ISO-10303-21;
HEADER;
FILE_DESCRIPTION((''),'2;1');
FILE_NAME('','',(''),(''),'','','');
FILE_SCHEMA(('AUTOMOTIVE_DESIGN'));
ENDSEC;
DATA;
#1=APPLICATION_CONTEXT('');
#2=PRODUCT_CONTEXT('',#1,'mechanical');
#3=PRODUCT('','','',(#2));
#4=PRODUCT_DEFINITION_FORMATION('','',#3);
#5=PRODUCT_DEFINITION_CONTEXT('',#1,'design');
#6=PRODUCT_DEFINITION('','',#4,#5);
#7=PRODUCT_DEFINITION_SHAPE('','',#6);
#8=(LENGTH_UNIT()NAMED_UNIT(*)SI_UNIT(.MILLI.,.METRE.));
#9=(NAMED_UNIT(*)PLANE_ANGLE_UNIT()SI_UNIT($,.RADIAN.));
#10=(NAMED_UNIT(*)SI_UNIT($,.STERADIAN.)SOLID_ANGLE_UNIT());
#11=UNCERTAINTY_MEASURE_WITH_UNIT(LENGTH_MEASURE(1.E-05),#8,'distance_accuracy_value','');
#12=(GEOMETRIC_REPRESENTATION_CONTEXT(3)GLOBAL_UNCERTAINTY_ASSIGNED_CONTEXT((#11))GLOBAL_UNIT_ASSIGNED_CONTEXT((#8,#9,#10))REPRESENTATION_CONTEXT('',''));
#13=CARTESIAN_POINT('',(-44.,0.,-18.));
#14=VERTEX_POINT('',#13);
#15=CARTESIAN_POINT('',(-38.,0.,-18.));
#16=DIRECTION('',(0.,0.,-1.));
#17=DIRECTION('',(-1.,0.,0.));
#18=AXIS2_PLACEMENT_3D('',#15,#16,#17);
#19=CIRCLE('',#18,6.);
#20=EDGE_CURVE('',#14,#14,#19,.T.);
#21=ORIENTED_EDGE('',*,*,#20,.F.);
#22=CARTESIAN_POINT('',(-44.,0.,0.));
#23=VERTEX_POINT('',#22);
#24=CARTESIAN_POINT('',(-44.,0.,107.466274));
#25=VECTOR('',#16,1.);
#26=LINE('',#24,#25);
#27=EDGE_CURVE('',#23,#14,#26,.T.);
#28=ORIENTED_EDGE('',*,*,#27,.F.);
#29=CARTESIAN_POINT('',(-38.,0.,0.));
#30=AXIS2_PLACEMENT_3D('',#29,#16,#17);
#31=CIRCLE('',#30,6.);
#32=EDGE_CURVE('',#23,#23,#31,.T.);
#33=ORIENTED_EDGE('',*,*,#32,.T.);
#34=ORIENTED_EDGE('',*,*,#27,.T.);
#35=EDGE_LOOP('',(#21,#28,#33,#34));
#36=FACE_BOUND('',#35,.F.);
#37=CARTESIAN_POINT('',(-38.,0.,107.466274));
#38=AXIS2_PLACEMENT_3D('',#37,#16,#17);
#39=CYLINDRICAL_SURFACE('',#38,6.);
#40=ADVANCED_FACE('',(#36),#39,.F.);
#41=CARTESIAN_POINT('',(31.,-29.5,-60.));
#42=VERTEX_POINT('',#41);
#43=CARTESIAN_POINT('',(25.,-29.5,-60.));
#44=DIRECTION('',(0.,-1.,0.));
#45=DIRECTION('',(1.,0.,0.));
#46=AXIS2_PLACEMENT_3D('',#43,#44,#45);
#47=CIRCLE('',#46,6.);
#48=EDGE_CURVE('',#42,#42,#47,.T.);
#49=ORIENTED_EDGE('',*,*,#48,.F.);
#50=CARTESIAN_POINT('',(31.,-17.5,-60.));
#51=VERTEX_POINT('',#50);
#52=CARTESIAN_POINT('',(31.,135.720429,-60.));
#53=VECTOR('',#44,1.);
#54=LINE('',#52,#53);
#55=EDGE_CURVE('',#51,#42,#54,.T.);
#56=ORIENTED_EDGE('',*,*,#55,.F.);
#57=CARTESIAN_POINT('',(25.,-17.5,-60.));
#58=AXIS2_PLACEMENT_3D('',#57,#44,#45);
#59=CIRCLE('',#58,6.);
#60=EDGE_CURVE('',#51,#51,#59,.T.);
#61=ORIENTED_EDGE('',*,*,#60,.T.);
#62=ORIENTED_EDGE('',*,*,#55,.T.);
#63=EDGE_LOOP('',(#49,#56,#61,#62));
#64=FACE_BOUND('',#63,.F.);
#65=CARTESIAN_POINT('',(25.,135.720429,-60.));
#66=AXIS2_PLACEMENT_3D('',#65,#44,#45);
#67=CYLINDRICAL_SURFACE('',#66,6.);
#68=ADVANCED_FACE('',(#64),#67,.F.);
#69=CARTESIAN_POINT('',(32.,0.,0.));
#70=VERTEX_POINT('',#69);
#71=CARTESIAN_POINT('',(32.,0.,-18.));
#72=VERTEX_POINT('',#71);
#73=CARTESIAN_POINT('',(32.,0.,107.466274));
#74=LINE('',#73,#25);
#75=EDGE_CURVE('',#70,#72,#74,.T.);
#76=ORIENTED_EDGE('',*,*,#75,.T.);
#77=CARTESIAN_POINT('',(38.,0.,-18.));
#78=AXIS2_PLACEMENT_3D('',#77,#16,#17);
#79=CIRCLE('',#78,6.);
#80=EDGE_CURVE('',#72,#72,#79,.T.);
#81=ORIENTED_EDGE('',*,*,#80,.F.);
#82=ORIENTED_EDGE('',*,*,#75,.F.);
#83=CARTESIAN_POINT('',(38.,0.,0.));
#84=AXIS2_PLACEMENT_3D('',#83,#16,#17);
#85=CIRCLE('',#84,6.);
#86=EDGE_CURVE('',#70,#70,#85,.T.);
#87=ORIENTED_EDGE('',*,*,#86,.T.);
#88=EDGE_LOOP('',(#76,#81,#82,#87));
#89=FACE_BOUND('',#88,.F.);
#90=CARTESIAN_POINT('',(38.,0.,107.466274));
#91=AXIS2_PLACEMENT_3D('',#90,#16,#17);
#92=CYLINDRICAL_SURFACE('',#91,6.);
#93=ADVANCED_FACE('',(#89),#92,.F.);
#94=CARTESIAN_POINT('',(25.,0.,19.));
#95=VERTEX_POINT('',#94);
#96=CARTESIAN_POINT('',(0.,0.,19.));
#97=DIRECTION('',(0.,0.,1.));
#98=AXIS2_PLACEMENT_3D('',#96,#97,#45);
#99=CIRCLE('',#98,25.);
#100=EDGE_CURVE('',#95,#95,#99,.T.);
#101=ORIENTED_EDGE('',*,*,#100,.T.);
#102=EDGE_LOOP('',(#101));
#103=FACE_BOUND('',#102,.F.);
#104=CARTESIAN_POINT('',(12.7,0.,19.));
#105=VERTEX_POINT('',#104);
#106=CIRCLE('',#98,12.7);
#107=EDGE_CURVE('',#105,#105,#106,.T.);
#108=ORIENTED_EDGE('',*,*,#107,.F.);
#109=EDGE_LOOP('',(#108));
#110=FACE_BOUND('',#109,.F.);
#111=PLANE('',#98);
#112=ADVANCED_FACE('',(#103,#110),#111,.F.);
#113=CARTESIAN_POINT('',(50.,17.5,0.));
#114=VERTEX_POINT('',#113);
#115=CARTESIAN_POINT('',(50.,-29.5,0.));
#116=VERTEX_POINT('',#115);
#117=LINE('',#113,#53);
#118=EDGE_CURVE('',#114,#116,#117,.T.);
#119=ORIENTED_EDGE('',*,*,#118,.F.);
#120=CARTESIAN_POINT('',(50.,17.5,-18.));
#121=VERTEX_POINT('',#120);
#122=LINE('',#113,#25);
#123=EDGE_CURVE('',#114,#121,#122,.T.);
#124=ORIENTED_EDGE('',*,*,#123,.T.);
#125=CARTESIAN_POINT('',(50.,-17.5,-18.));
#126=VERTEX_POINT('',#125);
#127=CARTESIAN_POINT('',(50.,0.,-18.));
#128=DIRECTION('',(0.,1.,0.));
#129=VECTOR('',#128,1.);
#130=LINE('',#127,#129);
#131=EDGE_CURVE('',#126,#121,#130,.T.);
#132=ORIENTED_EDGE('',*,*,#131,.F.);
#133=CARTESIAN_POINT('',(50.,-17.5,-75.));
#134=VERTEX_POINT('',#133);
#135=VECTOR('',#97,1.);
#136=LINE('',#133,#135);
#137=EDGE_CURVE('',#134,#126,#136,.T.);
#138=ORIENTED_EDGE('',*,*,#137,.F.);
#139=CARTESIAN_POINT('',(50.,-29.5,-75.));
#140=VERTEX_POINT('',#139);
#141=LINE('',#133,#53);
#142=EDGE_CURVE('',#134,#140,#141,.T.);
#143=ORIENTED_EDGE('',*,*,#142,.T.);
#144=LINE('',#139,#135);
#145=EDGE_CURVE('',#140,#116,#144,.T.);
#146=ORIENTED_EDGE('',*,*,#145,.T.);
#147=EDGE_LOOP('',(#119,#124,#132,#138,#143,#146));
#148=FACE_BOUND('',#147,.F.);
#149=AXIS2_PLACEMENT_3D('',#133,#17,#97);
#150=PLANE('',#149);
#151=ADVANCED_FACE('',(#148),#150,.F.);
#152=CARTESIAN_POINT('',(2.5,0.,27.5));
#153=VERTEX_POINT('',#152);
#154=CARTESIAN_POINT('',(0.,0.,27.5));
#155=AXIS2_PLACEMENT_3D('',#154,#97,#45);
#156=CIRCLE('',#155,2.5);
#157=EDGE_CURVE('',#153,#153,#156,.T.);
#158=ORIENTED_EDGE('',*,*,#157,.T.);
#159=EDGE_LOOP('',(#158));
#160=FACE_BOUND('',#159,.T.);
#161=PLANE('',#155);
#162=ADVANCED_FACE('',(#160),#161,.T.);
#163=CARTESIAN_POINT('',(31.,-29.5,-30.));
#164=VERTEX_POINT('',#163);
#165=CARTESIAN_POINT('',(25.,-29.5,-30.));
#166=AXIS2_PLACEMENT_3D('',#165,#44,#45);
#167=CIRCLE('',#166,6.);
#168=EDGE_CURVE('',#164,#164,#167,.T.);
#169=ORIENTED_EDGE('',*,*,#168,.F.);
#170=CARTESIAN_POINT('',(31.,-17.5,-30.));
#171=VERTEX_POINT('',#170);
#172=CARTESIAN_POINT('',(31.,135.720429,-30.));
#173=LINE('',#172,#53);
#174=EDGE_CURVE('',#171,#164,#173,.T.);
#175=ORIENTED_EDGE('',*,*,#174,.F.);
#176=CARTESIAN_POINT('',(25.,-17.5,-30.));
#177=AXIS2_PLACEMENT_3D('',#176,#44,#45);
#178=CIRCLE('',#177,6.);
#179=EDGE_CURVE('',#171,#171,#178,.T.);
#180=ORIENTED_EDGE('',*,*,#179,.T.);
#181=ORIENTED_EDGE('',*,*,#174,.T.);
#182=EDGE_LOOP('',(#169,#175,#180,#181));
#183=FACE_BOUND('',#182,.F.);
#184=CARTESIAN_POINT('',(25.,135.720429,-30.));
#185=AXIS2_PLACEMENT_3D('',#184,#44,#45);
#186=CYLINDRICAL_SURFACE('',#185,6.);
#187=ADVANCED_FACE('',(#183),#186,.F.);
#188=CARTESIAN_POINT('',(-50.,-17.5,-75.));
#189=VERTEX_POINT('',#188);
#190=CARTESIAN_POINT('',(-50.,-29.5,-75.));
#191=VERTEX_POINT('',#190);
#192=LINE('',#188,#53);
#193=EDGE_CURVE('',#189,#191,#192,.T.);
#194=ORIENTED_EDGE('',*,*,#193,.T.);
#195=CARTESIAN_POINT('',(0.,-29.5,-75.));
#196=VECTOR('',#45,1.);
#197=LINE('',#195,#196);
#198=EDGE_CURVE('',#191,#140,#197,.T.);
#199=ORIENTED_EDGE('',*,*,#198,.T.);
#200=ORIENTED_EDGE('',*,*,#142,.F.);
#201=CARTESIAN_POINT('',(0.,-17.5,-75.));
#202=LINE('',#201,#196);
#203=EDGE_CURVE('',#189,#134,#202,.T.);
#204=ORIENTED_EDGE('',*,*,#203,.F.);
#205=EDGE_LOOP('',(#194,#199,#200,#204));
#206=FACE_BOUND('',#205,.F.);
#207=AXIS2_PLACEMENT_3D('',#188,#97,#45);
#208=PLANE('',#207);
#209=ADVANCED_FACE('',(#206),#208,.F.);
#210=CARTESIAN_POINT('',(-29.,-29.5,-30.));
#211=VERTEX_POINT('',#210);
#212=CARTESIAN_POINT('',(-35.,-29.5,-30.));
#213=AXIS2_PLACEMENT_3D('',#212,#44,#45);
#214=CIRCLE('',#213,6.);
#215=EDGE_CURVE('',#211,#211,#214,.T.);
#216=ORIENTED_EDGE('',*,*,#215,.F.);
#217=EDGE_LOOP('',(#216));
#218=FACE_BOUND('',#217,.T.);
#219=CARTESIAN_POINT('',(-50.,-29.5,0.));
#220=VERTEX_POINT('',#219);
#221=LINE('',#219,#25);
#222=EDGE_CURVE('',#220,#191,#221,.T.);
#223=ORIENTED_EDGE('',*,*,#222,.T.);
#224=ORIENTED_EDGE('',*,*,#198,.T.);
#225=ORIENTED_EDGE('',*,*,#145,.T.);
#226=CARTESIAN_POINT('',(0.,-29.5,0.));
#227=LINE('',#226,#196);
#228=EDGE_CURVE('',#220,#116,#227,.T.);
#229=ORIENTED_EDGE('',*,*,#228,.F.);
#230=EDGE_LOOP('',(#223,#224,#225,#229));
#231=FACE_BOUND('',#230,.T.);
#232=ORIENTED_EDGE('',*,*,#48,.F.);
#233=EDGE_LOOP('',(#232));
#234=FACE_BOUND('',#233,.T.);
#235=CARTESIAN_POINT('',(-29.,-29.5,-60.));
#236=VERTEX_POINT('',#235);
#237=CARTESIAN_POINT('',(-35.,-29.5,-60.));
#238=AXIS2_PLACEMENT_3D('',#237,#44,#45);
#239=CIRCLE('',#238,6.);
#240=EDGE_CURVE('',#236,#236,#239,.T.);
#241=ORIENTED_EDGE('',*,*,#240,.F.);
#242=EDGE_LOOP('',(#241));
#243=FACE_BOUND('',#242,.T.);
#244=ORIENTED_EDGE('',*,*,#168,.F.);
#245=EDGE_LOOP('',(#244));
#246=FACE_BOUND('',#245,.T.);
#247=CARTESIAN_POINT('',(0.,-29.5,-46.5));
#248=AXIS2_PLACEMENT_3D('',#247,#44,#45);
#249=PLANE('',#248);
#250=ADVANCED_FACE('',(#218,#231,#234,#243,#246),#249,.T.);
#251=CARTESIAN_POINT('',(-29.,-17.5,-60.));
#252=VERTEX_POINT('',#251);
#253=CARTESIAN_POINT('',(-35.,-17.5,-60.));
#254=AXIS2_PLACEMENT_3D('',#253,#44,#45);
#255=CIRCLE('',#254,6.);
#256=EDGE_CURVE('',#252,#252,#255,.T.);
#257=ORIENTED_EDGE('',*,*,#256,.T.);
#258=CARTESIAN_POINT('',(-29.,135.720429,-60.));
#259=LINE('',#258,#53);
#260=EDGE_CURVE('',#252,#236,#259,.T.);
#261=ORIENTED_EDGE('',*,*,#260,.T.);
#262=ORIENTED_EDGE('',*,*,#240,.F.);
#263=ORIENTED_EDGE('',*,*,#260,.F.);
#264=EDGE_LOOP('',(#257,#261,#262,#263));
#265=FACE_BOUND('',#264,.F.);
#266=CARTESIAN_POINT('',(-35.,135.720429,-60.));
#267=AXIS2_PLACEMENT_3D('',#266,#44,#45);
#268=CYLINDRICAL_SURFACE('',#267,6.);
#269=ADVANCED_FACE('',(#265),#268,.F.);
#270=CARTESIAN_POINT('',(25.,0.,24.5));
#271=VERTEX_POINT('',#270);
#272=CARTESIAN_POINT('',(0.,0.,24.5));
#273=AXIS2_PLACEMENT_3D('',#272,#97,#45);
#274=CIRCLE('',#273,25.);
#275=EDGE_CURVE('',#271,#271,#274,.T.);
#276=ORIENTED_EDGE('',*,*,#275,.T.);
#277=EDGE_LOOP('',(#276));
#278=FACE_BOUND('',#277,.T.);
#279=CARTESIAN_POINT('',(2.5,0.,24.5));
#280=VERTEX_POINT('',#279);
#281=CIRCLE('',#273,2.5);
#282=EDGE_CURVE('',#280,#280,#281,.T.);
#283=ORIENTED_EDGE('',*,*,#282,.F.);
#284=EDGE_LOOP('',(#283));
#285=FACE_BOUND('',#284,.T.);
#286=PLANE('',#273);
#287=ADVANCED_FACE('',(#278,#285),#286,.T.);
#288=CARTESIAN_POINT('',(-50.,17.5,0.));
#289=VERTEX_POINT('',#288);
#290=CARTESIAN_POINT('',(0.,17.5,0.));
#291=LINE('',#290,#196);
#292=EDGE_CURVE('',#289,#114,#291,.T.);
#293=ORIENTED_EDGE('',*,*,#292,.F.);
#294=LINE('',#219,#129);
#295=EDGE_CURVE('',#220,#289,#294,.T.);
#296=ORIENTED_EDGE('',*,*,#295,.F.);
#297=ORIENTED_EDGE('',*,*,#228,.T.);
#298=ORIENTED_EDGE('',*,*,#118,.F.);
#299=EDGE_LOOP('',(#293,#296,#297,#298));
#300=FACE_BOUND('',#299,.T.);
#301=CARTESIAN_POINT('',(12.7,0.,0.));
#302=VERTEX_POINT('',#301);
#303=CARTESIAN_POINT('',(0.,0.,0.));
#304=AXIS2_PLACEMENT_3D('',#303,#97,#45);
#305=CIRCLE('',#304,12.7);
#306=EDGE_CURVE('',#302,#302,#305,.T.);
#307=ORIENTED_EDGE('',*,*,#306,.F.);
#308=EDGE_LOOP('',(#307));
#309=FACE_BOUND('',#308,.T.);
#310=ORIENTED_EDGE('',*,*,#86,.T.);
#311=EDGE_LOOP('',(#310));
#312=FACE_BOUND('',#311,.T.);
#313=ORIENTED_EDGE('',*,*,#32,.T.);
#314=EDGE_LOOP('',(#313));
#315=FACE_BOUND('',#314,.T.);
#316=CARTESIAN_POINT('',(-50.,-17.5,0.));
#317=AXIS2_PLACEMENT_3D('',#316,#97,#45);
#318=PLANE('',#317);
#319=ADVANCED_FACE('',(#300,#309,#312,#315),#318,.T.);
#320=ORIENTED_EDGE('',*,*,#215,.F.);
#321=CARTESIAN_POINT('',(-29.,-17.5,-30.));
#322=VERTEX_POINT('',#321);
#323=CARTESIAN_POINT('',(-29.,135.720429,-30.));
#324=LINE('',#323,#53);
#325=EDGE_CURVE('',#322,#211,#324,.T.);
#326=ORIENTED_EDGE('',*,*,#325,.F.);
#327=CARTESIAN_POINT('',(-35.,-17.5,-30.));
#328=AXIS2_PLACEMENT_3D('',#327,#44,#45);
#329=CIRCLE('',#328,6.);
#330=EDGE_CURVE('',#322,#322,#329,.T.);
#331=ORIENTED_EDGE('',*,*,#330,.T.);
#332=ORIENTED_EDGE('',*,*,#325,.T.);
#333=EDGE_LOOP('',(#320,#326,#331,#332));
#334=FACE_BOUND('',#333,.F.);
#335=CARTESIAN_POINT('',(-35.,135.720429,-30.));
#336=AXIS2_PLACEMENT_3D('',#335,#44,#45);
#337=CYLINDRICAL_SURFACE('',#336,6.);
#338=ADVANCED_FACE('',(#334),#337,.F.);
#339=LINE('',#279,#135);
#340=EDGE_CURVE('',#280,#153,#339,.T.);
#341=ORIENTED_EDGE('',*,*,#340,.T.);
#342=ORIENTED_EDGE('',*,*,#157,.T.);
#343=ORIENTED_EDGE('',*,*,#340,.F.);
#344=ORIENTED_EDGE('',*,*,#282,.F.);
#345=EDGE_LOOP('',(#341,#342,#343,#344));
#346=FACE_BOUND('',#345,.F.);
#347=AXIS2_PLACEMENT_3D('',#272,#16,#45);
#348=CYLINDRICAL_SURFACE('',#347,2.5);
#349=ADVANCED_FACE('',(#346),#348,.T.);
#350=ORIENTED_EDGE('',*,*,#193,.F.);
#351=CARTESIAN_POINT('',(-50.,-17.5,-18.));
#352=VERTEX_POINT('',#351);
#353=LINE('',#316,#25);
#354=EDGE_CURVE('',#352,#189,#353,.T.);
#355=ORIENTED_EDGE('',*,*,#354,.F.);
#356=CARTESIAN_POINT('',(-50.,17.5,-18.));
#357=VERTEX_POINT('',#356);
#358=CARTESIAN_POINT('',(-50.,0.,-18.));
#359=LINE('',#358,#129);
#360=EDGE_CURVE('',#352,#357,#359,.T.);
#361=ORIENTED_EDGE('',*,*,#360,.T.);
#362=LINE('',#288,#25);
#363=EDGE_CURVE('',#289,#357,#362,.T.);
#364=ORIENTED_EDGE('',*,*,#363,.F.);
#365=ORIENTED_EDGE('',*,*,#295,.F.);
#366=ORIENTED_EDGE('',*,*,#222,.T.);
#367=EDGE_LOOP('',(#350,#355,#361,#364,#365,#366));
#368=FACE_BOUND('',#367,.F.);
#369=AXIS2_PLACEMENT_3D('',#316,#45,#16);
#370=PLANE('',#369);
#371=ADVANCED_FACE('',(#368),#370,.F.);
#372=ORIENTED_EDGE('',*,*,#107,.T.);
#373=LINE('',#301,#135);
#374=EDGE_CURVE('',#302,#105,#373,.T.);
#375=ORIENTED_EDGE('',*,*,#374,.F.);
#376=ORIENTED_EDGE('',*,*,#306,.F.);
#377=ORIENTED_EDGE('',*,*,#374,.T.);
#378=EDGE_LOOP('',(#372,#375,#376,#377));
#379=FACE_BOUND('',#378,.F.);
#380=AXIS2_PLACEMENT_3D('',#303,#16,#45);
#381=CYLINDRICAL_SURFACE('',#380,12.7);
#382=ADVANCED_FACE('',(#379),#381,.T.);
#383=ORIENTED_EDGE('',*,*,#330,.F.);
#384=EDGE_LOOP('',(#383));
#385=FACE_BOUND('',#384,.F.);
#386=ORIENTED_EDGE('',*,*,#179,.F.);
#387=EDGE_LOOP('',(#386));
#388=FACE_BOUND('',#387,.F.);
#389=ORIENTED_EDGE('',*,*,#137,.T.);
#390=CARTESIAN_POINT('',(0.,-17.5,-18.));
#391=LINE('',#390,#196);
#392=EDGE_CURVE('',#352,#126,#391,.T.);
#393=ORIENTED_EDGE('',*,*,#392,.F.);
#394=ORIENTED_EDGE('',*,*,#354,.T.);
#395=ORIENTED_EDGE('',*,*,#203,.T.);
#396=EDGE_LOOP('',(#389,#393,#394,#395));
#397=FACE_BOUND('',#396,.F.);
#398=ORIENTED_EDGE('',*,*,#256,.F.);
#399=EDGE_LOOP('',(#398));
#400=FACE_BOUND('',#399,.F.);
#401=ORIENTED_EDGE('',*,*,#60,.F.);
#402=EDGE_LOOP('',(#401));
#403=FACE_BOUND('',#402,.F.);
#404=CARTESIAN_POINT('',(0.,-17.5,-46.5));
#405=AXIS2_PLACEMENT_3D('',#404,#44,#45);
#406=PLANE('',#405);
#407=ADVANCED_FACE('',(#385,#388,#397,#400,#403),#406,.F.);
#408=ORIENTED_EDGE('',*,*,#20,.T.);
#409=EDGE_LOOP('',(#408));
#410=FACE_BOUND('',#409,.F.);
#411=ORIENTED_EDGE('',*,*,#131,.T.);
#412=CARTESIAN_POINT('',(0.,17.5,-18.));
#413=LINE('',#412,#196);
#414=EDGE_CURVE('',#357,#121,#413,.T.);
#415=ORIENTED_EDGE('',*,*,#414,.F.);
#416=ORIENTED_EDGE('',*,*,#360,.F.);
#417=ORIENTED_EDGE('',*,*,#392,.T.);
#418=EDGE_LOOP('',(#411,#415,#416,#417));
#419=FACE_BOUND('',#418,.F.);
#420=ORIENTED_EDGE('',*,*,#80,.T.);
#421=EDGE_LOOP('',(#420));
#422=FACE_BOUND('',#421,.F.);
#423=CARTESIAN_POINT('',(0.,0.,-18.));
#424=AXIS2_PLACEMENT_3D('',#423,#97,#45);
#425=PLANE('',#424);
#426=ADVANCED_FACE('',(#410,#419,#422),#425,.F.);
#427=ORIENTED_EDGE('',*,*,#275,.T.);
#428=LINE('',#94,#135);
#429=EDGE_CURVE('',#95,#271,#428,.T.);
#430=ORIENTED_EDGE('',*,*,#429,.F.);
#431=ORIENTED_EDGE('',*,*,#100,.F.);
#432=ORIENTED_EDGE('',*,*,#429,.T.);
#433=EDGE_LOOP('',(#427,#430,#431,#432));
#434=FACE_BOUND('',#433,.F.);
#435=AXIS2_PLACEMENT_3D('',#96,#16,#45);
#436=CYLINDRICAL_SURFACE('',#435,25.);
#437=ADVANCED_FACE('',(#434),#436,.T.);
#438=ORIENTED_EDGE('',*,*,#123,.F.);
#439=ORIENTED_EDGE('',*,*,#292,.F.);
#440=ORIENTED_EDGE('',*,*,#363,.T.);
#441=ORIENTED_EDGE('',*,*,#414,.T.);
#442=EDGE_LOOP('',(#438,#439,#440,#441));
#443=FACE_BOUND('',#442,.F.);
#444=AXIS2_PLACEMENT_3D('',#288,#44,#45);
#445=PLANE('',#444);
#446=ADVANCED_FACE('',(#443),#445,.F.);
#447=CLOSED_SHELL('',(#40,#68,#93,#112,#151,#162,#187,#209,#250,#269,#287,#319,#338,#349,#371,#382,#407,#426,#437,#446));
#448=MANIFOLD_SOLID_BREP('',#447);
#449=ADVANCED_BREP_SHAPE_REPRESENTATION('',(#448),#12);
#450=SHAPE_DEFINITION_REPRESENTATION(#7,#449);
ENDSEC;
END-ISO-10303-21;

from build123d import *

# Parameters (mm, degrees)
F0_W      = 100
F0_H      = 35
F1_DEPTH  = 18
F3_D      = 12
F4_R      = 12.7
F5_DEPTH  = 19
F6_R      = 25
F6_R_2    = 12.7
F7_DEPTH  = 5.5
F8_R      = 2.5
F9_DEPTH  = 3
F10_W     = 100
F10_H     = 57
F10_H_2   = 18
F11_DEPTH = 12
F13_D     = 12


with BuildPart() as f1:
    # F0 (on Top) → F1 (new body)
    with BuildSketch(Plane.XY):
        Rectangle(F0_W, F0_H)
    extrude(amount=-F1_DEPTH)

    # F3 (through all)
    with Locations(Plane.XY):
        with Locations((-38, 0), (38, 0)):
            Hole(F3_D / 2)

    # F4 (on face) → F5 (join)
    with BuildSketch(Plane.XY):
        Circle(F4_R)
    extrude(amount=F5_DEPTH)

    # F6 (on face) → F7 (join)
    with BuildSketch(Plane.XY.offset(19)):
        Circle(F6_R)
        Circle(F6_R_2, mode=Mode.SUBTRACT)
        Circle(F6_R_2)
    extrude(amount=F7_DEPTH)

    # F8 (on face) → F9 (join)
    with BuildSketch(Plane.XY.offset(24.5)):
        Circle(F8_R)
    extrude(amount=F9_DEPTH)

    # F10 (on face) → F11 (join)
    with BuildSketch(Plane.XZ.offset(17.5)):
        with Locations((0, -46.5)):
            Rectangle(F10_W, F10_H)
        with Locations((0, -9)):
            Rectangle(F10_W, F10_H_2)
    extrude(amount=F11_DEPTH)

    # F13 (through all)
    with Locations(Plane(origin=(0, -17.5, 0), x_dir=(-1, 0, 0), z_dir=(0, 1, 0))):
        with Locations((-25, -30), (-25, -60), (35, -60), (35, -30)):
            Hole(F13_D / 2)


solid = f1.part
